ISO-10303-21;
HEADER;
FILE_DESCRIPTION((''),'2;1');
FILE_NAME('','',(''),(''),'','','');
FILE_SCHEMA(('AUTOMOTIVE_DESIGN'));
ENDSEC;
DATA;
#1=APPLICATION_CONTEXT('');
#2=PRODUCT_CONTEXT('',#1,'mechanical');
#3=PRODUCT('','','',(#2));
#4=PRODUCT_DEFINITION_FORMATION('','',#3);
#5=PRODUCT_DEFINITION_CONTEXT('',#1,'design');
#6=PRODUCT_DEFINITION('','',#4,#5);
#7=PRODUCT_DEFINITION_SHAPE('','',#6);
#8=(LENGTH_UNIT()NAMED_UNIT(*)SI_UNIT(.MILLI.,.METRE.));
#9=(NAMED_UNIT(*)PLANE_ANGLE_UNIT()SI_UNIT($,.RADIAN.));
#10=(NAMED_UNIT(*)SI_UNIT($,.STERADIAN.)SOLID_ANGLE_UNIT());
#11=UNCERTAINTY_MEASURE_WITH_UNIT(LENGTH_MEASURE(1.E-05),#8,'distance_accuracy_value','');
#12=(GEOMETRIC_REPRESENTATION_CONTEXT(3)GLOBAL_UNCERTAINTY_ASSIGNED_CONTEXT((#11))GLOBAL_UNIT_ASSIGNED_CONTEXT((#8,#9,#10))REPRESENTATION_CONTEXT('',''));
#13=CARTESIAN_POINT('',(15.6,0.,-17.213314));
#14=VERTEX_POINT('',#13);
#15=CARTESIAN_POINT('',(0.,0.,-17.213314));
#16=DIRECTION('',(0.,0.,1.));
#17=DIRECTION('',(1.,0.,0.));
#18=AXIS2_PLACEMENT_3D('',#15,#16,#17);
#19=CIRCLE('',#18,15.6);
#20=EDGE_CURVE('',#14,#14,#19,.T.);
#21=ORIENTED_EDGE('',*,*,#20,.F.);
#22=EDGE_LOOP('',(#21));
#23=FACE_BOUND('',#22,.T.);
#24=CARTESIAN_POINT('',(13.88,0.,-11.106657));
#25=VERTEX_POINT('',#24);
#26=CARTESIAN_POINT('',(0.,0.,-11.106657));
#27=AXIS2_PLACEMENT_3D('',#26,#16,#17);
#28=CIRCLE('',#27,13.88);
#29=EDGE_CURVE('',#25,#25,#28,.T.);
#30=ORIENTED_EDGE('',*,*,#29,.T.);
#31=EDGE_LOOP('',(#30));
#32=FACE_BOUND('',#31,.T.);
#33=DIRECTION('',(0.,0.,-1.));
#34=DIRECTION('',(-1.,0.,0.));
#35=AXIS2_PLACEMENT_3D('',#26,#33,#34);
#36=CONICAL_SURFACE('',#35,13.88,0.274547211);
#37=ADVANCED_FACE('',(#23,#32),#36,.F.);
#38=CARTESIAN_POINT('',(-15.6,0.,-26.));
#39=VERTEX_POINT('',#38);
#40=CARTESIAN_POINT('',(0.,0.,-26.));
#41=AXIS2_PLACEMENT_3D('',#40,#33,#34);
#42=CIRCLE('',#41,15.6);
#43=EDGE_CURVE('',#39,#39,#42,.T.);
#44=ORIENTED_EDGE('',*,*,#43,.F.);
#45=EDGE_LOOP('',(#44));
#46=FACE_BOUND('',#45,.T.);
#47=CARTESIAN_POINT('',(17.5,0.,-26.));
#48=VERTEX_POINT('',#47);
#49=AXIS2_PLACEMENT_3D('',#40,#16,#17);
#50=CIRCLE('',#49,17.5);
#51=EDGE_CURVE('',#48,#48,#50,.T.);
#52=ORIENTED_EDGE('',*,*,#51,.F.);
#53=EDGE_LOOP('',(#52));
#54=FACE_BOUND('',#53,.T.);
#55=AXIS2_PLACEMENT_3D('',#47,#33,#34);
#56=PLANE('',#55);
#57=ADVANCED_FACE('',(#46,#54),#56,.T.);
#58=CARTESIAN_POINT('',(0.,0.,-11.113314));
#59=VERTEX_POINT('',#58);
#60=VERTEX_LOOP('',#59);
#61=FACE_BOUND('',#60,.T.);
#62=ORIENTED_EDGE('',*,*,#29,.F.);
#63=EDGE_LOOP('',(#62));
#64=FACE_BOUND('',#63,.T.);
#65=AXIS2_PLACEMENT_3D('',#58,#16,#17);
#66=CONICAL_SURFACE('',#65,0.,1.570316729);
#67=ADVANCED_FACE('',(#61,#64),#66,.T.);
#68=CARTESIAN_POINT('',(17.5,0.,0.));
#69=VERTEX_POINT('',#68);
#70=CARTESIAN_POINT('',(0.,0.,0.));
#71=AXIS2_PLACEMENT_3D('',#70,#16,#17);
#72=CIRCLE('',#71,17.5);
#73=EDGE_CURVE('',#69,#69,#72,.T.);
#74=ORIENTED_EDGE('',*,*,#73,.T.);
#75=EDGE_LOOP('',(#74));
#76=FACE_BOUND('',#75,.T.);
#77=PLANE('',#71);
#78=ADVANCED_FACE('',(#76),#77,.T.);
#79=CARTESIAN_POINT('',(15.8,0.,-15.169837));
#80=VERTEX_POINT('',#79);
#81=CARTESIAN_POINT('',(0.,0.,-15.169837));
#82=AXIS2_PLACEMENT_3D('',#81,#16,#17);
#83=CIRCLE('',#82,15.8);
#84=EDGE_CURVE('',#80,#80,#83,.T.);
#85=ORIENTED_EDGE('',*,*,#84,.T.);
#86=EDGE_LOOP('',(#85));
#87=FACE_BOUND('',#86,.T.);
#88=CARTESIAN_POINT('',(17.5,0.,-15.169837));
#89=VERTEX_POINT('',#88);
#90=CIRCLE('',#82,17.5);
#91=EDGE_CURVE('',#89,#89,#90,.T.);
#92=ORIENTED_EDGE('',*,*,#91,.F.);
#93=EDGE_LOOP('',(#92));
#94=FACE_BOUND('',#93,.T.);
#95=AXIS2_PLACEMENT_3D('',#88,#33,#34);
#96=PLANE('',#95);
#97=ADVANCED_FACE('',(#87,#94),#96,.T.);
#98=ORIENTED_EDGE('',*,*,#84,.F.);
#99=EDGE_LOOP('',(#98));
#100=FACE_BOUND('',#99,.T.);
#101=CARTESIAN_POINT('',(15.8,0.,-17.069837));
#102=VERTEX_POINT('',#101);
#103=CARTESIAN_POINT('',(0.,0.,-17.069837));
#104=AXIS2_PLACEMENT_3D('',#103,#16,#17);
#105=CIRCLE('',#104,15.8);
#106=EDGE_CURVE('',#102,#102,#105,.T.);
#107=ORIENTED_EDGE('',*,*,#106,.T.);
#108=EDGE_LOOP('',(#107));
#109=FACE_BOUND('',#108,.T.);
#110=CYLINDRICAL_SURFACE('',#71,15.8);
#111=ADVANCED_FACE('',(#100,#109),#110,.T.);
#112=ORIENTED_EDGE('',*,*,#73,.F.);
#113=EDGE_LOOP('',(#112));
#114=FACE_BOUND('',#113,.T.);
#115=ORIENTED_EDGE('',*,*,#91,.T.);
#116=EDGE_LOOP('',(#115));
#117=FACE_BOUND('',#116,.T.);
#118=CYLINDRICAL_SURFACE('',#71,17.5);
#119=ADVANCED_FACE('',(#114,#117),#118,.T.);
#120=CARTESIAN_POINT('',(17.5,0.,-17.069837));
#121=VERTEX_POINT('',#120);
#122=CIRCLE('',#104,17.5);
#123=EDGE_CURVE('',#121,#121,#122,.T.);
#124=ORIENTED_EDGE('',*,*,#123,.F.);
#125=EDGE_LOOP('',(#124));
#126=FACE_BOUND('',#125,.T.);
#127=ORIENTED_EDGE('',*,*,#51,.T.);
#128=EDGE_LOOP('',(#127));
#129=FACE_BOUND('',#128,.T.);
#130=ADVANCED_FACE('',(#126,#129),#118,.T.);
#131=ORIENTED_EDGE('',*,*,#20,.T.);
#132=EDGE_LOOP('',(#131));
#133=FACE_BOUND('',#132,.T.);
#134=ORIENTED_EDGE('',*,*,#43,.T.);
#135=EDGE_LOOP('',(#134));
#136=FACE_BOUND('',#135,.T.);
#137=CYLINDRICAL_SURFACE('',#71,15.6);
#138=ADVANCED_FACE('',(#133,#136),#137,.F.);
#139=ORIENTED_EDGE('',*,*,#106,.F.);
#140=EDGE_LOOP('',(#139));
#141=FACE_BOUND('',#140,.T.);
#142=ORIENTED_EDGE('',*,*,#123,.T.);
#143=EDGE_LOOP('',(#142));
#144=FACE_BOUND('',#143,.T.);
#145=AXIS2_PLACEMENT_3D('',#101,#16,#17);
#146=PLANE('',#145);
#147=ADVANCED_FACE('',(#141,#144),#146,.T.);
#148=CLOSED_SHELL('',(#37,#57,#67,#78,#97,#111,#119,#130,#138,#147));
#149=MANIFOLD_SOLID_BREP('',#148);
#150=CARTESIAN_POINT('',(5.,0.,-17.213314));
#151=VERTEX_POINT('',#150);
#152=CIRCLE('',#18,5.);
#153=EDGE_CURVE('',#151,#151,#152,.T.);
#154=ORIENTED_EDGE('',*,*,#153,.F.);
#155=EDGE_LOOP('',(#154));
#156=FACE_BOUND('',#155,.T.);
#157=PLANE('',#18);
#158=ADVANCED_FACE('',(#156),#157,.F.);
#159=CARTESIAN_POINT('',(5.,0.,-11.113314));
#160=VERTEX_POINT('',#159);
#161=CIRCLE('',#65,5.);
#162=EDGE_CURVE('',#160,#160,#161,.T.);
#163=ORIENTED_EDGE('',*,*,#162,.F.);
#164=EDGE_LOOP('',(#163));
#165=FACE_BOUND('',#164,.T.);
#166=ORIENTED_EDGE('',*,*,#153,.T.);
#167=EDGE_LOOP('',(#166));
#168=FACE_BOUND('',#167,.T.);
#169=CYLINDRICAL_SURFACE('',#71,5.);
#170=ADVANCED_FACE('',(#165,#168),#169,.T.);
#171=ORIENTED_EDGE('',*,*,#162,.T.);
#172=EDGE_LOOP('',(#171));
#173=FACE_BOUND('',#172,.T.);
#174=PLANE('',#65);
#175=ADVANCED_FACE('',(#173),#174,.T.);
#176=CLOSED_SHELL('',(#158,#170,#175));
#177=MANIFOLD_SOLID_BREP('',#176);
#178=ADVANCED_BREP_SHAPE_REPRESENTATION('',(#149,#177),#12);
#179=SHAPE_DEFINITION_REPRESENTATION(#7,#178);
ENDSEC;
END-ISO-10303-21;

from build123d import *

# Parameters (mm, degrees)
CROQUIS8_W = 5
CROQUIS8_H = 6.1


with BuildPart() as part:
    # Croquis6 → Revolución1 (revolve)
    with BuildSketch(Plane(origin=(0, 0, 0), x_dir=(1, 0, 0), z_dir=(0, 1, 0))):
        Polygon((17.5, 15.169836957), (15.8, 15.169836957), (15.8, 17.069836957), (17.5, 17.069836957), (17.5, 26), (0, 26), (0, 0), (17.5, 0), align=None)
    revolve(axis=Axis((0, 0, 0), (0, 0, -1)))

    # Croquis7 → Cortar-Revolución1 (revolve, cut)
    with BuildSketch(Plane(origin=(0, 0, 0), x_dir=(1, 0, 0), z_dir=(0, 1, 0))):
        Polygon((0, 26.013313624), (15.6, 26.013313624), (15.6, 17.213313624), (13.88, 11.106656812), (0, 11.113313624), align=None)
    revolve(axis=Axis((0, 0, 0), (0, 0, -1)), mode=Mode.SUBTRACT)


with BuildPart() as body_2:
    # Croquis8 → Revolución4 (revolve)
    with BuildSketch(Plane(origin=(0, 0, 0), x_dir=(1, 0, 0), z_dir=(0, 1, 0))):
        with Locations((2.5, 14.163313624)):
            Rectangle(CROQUIS8_W, CROQUIS8_H)
    revolve(axis=Axis((0, 0, 0), (0, 0, -1)))


solid = Compound([part.part, body_2.part])
